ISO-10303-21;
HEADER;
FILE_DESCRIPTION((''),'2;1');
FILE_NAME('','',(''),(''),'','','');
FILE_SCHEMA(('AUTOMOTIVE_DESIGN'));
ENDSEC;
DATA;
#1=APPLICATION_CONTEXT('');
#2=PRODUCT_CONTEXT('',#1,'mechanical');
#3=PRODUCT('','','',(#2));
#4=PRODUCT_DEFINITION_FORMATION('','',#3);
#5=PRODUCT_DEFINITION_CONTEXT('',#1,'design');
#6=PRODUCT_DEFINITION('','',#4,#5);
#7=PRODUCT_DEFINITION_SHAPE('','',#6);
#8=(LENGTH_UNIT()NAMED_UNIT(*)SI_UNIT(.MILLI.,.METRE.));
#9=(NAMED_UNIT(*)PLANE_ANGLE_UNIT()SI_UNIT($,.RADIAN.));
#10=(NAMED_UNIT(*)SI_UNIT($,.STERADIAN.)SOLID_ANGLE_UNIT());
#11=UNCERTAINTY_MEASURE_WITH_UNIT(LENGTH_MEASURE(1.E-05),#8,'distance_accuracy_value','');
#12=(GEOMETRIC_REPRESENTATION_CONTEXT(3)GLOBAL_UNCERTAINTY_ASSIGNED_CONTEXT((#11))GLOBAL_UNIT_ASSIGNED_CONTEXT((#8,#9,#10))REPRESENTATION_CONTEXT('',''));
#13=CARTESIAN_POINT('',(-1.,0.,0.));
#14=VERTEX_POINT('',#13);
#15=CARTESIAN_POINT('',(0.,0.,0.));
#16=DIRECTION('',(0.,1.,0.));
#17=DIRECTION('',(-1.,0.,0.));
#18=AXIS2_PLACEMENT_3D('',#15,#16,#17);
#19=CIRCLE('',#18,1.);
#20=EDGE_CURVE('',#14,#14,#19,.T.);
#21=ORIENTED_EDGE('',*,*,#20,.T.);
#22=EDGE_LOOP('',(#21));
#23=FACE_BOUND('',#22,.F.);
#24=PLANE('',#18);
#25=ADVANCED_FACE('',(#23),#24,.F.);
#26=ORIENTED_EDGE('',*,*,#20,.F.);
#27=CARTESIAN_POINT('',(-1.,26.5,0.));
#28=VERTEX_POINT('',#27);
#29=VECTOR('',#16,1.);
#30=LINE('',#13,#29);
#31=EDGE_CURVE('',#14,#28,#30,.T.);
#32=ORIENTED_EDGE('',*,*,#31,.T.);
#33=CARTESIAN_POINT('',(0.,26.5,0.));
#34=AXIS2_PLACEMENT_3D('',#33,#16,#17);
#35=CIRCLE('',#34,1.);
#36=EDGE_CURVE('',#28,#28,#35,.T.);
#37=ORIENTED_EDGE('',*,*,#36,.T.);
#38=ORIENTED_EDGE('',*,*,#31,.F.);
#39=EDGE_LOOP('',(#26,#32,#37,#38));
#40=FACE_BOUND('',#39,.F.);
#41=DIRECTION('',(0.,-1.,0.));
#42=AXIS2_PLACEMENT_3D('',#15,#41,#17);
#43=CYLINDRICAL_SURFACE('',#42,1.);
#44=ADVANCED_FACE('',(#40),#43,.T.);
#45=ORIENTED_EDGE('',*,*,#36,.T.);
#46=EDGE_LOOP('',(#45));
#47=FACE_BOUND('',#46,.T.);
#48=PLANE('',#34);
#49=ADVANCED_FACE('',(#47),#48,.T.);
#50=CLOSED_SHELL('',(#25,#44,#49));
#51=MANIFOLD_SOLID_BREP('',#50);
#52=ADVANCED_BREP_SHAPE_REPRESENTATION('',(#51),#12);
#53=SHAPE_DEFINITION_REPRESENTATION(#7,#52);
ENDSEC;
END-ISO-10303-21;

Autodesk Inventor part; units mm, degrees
ref_plane "YZ Plane" through (0, 0, 0) normal (1, 0, 0) x (0, 1, 0)
ref_plane "XZ Plane" through (0, 0, 0) normal (0, 1, 0) x (-1, 0, 0)
ref_plane "XY Plane" through (0, 0, 0) normal (0, 0, 1) x (1, 0, 0)
sketch "Sketch1" plane through (0, 0, 0) normal (0, 1, 0) x (-1, 0, 0)
  circle A0 centre (0, 0) radius 1
  dimension "d0" = 2
extrude "Extrusion1" add sketch "Sketch1" along normal blind 26.5
properties part number "LaserBeamMirrorAngle1"
